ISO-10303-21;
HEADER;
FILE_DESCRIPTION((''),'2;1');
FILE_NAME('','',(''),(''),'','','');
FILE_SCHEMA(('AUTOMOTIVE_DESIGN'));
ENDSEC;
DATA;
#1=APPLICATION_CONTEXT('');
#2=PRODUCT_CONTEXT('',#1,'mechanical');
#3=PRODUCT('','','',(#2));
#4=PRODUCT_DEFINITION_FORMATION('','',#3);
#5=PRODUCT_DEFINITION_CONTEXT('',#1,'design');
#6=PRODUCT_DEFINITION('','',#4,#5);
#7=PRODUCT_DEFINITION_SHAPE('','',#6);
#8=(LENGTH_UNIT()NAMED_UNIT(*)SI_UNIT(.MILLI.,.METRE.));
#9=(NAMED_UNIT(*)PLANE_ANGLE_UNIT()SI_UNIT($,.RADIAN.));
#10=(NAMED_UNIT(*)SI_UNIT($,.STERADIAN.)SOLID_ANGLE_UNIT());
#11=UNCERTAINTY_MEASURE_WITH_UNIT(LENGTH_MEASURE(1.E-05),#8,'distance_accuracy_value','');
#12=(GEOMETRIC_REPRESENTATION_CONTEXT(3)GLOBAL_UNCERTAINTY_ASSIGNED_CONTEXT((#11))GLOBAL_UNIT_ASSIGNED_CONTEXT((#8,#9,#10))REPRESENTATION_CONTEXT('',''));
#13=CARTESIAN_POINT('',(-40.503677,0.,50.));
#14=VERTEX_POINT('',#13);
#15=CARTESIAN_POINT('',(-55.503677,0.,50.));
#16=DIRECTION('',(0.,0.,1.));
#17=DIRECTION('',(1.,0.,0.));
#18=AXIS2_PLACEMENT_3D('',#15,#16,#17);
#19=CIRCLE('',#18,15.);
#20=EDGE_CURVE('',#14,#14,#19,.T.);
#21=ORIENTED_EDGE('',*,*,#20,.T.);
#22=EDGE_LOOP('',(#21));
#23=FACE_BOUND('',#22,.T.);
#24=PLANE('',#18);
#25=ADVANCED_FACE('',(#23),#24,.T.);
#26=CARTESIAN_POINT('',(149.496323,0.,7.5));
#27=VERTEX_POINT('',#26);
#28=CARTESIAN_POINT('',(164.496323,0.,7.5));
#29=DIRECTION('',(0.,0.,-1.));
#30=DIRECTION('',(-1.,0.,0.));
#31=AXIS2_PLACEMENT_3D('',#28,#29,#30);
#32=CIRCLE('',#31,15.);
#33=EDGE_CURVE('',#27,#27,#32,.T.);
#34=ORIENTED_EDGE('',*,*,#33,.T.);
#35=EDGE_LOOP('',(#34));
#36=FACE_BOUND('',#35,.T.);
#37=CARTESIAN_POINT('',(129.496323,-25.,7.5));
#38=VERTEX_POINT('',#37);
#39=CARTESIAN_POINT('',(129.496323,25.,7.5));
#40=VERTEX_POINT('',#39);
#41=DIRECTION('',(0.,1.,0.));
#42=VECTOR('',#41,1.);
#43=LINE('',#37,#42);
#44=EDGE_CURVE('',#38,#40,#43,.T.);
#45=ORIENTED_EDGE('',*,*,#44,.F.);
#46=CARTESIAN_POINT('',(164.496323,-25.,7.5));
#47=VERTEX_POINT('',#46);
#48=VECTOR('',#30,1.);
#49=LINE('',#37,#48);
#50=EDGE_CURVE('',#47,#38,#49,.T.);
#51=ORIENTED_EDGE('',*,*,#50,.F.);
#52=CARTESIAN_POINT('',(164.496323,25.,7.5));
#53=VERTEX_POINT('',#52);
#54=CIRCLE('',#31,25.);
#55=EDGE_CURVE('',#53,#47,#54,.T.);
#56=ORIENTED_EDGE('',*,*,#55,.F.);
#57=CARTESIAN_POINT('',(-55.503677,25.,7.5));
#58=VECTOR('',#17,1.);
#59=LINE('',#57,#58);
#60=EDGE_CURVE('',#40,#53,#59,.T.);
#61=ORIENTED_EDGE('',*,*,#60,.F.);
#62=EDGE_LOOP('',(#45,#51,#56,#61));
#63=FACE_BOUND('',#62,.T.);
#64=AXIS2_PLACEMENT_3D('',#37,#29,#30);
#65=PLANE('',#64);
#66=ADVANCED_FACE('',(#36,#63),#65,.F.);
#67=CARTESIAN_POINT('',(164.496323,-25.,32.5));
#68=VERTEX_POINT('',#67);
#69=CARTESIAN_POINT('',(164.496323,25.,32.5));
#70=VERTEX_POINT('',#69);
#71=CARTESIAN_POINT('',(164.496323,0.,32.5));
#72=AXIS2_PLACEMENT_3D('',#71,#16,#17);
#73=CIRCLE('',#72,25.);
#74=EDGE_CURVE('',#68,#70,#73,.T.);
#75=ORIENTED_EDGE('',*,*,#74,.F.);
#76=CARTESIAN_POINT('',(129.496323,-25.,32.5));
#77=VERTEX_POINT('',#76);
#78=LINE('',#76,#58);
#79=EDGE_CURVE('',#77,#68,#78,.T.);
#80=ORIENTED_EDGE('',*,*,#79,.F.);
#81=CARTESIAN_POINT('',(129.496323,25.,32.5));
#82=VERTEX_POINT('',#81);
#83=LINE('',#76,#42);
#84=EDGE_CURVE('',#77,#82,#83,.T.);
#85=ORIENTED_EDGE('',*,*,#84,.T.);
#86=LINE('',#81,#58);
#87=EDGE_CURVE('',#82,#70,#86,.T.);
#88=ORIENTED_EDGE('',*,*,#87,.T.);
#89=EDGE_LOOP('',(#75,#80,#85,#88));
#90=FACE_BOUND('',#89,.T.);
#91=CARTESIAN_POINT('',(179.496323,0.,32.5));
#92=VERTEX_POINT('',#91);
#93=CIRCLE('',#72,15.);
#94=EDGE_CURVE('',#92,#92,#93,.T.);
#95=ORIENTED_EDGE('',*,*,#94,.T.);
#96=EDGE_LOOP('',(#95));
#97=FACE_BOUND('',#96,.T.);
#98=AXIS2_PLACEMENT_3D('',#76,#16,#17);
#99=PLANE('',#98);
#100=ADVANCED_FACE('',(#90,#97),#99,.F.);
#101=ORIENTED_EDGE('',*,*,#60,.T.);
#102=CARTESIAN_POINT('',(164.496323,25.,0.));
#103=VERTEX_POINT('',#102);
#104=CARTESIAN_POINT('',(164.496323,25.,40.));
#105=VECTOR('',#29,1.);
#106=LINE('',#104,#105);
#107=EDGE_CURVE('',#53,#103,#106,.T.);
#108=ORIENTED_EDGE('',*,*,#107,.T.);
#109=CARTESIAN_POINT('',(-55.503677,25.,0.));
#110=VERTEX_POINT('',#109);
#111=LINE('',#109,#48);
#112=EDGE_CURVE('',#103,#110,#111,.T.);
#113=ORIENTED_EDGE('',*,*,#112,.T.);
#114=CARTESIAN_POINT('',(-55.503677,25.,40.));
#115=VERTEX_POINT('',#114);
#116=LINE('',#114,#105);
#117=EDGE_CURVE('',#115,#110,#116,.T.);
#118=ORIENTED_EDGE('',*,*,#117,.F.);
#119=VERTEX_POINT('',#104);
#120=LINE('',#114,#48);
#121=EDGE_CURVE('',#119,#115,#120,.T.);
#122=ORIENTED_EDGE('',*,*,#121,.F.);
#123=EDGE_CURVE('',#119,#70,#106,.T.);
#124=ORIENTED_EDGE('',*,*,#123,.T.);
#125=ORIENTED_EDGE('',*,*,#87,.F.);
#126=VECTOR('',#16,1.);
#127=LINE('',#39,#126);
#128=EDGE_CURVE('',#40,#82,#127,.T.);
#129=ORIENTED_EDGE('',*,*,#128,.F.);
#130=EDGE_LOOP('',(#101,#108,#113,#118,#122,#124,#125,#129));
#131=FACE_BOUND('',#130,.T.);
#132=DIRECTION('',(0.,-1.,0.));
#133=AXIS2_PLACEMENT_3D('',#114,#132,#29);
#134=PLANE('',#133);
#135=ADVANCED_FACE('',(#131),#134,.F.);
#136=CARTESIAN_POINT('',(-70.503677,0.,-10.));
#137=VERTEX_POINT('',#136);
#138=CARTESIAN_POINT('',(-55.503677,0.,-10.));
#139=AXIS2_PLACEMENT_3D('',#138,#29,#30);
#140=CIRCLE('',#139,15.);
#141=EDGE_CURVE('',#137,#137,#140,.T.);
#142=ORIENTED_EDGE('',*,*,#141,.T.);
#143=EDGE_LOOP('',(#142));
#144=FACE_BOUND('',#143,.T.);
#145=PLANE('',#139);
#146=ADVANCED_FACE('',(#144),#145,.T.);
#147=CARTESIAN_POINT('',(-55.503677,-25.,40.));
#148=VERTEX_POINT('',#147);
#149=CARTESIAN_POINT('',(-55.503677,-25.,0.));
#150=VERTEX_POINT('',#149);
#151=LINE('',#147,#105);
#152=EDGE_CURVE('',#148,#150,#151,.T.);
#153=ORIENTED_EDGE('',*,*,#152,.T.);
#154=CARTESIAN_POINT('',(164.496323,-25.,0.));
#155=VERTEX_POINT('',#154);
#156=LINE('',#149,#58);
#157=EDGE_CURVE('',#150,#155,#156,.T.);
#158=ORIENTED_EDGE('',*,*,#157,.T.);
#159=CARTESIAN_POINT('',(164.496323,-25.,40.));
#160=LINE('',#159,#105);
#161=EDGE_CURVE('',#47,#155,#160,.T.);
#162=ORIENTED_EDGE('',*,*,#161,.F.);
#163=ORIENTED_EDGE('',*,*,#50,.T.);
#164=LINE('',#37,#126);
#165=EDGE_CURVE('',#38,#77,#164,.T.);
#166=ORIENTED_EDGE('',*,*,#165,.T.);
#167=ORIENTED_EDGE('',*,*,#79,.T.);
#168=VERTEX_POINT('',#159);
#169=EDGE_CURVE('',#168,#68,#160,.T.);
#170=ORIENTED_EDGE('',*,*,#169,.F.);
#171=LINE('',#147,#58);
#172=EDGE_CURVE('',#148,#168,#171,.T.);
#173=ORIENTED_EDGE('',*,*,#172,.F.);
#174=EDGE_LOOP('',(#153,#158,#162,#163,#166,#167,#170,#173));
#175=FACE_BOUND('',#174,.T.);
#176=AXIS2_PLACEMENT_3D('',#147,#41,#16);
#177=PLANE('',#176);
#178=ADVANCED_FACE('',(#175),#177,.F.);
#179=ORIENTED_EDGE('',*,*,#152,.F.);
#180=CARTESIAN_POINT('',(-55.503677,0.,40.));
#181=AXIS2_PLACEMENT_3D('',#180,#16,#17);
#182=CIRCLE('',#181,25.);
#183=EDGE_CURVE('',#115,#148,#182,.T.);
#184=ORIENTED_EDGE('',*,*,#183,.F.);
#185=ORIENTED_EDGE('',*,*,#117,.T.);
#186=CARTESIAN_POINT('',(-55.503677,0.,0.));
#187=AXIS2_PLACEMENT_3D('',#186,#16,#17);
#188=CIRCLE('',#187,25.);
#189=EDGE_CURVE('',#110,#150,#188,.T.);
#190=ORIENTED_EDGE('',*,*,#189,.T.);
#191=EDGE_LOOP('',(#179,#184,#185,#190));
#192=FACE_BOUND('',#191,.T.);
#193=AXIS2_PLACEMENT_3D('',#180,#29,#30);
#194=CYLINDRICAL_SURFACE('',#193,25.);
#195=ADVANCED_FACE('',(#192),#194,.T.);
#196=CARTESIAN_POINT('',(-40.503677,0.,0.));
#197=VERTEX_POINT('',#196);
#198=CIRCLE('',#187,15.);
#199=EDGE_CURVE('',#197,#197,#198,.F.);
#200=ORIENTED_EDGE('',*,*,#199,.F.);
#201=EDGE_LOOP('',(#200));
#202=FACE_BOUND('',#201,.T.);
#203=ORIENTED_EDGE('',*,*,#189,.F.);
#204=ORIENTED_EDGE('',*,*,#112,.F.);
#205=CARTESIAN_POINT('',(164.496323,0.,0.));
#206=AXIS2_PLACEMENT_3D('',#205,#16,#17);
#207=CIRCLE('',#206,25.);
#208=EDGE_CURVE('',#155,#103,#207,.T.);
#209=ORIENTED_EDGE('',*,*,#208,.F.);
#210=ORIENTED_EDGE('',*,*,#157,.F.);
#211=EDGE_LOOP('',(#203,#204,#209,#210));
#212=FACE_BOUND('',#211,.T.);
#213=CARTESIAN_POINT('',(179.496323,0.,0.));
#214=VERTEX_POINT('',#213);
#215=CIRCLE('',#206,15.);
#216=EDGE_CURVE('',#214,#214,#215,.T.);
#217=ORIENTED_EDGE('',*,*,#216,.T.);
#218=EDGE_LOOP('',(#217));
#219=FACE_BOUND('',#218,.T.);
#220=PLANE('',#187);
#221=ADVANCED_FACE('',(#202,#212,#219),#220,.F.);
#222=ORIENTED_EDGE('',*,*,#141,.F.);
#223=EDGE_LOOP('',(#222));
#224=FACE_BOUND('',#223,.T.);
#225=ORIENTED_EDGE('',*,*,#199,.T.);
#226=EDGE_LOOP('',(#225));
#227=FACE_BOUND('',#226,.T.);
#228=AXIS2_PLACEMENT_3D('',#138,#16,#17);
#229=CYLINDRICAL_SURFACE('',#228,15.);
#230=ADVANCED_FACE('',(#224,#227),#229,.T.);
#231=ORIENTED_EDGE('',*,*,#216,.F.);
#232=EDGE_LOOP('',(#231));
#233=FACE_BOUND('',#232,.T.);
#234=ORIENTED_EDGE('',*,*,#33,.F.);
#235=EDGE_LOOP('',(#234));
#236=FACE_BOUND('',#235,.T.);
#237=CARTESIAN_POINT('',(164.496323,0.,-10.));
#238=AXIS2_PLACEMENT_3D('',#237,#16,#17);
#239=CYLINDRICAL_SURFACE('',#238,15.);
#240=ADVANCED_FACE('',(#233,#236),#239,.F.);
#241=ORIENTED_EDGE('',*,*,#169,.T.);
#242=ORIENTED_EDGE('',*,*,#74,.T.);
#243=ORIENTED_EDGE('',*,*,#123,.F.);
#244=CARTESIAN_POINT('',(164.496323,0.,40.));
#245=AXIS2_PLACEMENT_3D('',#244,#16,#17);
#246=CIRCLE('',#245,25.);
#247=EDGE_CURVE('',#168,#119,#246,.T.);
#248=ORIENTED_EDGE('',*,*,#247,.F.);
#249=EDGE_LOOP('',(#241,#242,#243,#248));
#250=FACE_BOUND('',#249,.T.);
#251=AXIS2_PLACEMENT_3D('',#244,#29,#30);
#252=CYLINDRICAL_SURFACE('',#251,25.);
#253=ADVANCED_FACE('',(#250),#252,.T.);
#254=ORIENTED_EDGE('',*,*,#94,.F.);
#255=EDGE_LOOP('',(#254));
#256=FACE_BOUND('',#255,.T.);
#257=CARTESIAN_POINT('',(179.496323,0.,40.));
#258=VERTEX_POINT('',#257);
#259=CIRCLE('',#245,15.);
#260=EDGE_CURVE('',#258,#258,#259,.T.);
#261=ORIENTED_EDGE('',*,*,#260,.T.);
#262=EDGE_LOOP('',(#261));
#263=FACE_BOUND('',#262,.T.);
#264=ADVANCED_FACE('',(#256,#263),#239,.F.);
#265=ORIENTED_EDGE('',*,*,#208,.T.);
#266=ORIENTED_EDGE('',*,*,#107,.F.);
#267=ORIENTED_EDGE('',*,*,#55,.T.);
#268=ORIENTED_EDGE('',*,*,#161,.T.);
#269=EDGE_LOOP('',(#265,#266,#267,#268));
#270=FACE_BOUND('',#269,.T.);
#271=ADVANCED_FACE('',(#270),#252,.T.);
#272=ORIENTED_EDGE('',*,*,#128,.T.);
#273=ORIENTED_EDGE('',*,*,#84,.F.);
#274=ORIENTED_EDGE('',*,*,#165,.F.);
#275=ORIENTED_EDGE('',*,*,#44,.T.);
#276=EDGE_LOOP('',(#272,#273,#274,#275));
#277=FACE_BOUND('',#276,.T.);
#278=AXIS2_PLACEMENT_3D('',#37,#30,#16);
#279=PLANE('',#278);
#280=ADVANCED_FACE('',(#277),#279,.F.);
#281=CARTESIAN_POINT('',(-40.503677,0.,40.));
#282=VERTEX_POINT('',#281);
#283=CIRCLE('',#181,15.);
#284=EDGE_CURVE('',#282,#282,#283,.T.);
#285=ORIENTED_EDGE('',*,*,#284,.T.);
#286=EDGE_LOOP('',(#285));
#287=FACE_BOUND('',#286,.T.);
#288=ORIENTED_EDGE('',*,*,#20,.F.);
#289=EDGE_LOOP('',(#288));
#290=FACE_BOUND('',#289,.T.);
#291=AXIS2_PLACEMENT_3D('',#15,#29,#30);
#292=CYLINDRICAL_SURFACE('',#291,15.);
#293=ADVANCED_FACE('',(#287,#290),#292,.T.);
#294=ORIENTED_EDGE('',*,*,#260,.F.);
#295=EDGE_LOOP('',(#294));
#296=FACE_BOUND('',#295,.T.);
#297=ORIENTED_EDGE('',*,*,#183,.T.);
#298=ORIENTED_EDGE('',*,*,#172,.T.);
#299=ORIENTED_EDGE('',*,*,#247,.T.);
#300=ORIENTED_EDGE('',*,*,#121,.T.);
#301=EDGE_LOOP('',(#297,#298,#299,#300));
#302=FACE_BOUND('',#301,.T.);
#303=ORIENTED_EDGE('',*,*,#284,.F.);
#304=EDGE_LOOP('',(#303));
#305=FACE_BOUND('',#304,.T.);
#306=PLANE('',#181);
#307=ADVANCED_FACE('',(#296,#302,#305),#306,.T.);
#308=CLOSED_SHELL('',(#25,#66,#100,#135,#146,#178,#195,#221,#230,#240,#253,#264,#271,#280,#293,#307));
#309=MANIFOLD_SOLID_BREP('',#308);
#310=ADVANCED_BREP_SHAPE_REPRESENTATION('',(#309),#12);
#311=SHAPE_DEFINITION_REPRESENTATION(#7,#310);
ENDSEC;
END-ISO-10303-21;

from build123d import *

# Parameters (mm, degrees)
BOSS_EXTRUDE1_DEPTH = 40
SKETCH3_R           = 15
BOSS_EXTRUDE2_DEPTH = 10
BOSS_EXTRUDE3_START = 10
SKETCH4_R           = 15
BOSS_EXTRUDE3_DEPTH = 10
SKETCH5_W           = 60
SKETCH5_H           = 25
CUT_EXTRUDE1_DEPTH  = 203.25937939
SKETCH6_R           = 15
CUT_EXTRUDE2_DEPTH  = 198.569877641


with BuildPart() as part:
    # Sketch1 → Boss-Extrude1 (new body)
    with BuildSketch(Plane.XY):
        with BuildLine():
            Line((-55.503676682, 25), (164.496323318, 25))
            ThreePointArc((164.496323318, 25), (189.496323318, 0), (164.496323318, -25))
            Line((164.496323318, -25), (-55.503676682, -25))
            ThreePointArc((-55.503676682, -25), (-80.503676682, 0), (-55.503676682, 25))
        make_face()
    extrude(amount=BOSS_EXTRUDE1_DEPTH)

    # Sketch3 → Boss-Extrude2 (add)
    with BuildSketch(Plane.XY.offset(40)):
        with Locations((-55.503676682, 0)):
            Circle(SKETCH3_R)
    extrude(amount=BOSS_EXTRUDE2_DEPTH)

    # Sketch4 → Boss-Extrude3 (add)
    with BuildSketch(Plane(origin=(0, 0, 0), x_dir=(-1, 0, 0), z_dir=(0, 0, -1)).offset(BOSS_EXTRUDE3_START)):
        with Locations(Location((55.503676682, 0, 0), (0, 0, 180))):
            Circle(SKETCH4_R)
    extrude(amount=-BOSS_EXTRUDE3_DEPTH)

    # Sketch5 → Cut-Extrude1 (cut, through all)
    with BuildSketch(Plane(origin=(0, 25, 0), x_dir=(1, 0, 0), z_dir=(0, 1, 0))):
        with Locations((159.496323318, -20)):
            Rectangle(SKETCH5_W, SKETCH5_H)
    extrude(amount=-CUT_EXTRUDE1_DEPTH, mode=Mode.SUBTRACT)

    # Sketch6 → Cut-Extrude2 (cut, through all)
    with BuildSketch(Plane.XY.offset(40)):
        with Locations((164.496323318, 0)):
            Circle(SKETCH6_R)
    extrude(amount=-CUT_EXTRUDE2_DEPTH, mode=Mode.SUBTRACT)


solid = part.part
